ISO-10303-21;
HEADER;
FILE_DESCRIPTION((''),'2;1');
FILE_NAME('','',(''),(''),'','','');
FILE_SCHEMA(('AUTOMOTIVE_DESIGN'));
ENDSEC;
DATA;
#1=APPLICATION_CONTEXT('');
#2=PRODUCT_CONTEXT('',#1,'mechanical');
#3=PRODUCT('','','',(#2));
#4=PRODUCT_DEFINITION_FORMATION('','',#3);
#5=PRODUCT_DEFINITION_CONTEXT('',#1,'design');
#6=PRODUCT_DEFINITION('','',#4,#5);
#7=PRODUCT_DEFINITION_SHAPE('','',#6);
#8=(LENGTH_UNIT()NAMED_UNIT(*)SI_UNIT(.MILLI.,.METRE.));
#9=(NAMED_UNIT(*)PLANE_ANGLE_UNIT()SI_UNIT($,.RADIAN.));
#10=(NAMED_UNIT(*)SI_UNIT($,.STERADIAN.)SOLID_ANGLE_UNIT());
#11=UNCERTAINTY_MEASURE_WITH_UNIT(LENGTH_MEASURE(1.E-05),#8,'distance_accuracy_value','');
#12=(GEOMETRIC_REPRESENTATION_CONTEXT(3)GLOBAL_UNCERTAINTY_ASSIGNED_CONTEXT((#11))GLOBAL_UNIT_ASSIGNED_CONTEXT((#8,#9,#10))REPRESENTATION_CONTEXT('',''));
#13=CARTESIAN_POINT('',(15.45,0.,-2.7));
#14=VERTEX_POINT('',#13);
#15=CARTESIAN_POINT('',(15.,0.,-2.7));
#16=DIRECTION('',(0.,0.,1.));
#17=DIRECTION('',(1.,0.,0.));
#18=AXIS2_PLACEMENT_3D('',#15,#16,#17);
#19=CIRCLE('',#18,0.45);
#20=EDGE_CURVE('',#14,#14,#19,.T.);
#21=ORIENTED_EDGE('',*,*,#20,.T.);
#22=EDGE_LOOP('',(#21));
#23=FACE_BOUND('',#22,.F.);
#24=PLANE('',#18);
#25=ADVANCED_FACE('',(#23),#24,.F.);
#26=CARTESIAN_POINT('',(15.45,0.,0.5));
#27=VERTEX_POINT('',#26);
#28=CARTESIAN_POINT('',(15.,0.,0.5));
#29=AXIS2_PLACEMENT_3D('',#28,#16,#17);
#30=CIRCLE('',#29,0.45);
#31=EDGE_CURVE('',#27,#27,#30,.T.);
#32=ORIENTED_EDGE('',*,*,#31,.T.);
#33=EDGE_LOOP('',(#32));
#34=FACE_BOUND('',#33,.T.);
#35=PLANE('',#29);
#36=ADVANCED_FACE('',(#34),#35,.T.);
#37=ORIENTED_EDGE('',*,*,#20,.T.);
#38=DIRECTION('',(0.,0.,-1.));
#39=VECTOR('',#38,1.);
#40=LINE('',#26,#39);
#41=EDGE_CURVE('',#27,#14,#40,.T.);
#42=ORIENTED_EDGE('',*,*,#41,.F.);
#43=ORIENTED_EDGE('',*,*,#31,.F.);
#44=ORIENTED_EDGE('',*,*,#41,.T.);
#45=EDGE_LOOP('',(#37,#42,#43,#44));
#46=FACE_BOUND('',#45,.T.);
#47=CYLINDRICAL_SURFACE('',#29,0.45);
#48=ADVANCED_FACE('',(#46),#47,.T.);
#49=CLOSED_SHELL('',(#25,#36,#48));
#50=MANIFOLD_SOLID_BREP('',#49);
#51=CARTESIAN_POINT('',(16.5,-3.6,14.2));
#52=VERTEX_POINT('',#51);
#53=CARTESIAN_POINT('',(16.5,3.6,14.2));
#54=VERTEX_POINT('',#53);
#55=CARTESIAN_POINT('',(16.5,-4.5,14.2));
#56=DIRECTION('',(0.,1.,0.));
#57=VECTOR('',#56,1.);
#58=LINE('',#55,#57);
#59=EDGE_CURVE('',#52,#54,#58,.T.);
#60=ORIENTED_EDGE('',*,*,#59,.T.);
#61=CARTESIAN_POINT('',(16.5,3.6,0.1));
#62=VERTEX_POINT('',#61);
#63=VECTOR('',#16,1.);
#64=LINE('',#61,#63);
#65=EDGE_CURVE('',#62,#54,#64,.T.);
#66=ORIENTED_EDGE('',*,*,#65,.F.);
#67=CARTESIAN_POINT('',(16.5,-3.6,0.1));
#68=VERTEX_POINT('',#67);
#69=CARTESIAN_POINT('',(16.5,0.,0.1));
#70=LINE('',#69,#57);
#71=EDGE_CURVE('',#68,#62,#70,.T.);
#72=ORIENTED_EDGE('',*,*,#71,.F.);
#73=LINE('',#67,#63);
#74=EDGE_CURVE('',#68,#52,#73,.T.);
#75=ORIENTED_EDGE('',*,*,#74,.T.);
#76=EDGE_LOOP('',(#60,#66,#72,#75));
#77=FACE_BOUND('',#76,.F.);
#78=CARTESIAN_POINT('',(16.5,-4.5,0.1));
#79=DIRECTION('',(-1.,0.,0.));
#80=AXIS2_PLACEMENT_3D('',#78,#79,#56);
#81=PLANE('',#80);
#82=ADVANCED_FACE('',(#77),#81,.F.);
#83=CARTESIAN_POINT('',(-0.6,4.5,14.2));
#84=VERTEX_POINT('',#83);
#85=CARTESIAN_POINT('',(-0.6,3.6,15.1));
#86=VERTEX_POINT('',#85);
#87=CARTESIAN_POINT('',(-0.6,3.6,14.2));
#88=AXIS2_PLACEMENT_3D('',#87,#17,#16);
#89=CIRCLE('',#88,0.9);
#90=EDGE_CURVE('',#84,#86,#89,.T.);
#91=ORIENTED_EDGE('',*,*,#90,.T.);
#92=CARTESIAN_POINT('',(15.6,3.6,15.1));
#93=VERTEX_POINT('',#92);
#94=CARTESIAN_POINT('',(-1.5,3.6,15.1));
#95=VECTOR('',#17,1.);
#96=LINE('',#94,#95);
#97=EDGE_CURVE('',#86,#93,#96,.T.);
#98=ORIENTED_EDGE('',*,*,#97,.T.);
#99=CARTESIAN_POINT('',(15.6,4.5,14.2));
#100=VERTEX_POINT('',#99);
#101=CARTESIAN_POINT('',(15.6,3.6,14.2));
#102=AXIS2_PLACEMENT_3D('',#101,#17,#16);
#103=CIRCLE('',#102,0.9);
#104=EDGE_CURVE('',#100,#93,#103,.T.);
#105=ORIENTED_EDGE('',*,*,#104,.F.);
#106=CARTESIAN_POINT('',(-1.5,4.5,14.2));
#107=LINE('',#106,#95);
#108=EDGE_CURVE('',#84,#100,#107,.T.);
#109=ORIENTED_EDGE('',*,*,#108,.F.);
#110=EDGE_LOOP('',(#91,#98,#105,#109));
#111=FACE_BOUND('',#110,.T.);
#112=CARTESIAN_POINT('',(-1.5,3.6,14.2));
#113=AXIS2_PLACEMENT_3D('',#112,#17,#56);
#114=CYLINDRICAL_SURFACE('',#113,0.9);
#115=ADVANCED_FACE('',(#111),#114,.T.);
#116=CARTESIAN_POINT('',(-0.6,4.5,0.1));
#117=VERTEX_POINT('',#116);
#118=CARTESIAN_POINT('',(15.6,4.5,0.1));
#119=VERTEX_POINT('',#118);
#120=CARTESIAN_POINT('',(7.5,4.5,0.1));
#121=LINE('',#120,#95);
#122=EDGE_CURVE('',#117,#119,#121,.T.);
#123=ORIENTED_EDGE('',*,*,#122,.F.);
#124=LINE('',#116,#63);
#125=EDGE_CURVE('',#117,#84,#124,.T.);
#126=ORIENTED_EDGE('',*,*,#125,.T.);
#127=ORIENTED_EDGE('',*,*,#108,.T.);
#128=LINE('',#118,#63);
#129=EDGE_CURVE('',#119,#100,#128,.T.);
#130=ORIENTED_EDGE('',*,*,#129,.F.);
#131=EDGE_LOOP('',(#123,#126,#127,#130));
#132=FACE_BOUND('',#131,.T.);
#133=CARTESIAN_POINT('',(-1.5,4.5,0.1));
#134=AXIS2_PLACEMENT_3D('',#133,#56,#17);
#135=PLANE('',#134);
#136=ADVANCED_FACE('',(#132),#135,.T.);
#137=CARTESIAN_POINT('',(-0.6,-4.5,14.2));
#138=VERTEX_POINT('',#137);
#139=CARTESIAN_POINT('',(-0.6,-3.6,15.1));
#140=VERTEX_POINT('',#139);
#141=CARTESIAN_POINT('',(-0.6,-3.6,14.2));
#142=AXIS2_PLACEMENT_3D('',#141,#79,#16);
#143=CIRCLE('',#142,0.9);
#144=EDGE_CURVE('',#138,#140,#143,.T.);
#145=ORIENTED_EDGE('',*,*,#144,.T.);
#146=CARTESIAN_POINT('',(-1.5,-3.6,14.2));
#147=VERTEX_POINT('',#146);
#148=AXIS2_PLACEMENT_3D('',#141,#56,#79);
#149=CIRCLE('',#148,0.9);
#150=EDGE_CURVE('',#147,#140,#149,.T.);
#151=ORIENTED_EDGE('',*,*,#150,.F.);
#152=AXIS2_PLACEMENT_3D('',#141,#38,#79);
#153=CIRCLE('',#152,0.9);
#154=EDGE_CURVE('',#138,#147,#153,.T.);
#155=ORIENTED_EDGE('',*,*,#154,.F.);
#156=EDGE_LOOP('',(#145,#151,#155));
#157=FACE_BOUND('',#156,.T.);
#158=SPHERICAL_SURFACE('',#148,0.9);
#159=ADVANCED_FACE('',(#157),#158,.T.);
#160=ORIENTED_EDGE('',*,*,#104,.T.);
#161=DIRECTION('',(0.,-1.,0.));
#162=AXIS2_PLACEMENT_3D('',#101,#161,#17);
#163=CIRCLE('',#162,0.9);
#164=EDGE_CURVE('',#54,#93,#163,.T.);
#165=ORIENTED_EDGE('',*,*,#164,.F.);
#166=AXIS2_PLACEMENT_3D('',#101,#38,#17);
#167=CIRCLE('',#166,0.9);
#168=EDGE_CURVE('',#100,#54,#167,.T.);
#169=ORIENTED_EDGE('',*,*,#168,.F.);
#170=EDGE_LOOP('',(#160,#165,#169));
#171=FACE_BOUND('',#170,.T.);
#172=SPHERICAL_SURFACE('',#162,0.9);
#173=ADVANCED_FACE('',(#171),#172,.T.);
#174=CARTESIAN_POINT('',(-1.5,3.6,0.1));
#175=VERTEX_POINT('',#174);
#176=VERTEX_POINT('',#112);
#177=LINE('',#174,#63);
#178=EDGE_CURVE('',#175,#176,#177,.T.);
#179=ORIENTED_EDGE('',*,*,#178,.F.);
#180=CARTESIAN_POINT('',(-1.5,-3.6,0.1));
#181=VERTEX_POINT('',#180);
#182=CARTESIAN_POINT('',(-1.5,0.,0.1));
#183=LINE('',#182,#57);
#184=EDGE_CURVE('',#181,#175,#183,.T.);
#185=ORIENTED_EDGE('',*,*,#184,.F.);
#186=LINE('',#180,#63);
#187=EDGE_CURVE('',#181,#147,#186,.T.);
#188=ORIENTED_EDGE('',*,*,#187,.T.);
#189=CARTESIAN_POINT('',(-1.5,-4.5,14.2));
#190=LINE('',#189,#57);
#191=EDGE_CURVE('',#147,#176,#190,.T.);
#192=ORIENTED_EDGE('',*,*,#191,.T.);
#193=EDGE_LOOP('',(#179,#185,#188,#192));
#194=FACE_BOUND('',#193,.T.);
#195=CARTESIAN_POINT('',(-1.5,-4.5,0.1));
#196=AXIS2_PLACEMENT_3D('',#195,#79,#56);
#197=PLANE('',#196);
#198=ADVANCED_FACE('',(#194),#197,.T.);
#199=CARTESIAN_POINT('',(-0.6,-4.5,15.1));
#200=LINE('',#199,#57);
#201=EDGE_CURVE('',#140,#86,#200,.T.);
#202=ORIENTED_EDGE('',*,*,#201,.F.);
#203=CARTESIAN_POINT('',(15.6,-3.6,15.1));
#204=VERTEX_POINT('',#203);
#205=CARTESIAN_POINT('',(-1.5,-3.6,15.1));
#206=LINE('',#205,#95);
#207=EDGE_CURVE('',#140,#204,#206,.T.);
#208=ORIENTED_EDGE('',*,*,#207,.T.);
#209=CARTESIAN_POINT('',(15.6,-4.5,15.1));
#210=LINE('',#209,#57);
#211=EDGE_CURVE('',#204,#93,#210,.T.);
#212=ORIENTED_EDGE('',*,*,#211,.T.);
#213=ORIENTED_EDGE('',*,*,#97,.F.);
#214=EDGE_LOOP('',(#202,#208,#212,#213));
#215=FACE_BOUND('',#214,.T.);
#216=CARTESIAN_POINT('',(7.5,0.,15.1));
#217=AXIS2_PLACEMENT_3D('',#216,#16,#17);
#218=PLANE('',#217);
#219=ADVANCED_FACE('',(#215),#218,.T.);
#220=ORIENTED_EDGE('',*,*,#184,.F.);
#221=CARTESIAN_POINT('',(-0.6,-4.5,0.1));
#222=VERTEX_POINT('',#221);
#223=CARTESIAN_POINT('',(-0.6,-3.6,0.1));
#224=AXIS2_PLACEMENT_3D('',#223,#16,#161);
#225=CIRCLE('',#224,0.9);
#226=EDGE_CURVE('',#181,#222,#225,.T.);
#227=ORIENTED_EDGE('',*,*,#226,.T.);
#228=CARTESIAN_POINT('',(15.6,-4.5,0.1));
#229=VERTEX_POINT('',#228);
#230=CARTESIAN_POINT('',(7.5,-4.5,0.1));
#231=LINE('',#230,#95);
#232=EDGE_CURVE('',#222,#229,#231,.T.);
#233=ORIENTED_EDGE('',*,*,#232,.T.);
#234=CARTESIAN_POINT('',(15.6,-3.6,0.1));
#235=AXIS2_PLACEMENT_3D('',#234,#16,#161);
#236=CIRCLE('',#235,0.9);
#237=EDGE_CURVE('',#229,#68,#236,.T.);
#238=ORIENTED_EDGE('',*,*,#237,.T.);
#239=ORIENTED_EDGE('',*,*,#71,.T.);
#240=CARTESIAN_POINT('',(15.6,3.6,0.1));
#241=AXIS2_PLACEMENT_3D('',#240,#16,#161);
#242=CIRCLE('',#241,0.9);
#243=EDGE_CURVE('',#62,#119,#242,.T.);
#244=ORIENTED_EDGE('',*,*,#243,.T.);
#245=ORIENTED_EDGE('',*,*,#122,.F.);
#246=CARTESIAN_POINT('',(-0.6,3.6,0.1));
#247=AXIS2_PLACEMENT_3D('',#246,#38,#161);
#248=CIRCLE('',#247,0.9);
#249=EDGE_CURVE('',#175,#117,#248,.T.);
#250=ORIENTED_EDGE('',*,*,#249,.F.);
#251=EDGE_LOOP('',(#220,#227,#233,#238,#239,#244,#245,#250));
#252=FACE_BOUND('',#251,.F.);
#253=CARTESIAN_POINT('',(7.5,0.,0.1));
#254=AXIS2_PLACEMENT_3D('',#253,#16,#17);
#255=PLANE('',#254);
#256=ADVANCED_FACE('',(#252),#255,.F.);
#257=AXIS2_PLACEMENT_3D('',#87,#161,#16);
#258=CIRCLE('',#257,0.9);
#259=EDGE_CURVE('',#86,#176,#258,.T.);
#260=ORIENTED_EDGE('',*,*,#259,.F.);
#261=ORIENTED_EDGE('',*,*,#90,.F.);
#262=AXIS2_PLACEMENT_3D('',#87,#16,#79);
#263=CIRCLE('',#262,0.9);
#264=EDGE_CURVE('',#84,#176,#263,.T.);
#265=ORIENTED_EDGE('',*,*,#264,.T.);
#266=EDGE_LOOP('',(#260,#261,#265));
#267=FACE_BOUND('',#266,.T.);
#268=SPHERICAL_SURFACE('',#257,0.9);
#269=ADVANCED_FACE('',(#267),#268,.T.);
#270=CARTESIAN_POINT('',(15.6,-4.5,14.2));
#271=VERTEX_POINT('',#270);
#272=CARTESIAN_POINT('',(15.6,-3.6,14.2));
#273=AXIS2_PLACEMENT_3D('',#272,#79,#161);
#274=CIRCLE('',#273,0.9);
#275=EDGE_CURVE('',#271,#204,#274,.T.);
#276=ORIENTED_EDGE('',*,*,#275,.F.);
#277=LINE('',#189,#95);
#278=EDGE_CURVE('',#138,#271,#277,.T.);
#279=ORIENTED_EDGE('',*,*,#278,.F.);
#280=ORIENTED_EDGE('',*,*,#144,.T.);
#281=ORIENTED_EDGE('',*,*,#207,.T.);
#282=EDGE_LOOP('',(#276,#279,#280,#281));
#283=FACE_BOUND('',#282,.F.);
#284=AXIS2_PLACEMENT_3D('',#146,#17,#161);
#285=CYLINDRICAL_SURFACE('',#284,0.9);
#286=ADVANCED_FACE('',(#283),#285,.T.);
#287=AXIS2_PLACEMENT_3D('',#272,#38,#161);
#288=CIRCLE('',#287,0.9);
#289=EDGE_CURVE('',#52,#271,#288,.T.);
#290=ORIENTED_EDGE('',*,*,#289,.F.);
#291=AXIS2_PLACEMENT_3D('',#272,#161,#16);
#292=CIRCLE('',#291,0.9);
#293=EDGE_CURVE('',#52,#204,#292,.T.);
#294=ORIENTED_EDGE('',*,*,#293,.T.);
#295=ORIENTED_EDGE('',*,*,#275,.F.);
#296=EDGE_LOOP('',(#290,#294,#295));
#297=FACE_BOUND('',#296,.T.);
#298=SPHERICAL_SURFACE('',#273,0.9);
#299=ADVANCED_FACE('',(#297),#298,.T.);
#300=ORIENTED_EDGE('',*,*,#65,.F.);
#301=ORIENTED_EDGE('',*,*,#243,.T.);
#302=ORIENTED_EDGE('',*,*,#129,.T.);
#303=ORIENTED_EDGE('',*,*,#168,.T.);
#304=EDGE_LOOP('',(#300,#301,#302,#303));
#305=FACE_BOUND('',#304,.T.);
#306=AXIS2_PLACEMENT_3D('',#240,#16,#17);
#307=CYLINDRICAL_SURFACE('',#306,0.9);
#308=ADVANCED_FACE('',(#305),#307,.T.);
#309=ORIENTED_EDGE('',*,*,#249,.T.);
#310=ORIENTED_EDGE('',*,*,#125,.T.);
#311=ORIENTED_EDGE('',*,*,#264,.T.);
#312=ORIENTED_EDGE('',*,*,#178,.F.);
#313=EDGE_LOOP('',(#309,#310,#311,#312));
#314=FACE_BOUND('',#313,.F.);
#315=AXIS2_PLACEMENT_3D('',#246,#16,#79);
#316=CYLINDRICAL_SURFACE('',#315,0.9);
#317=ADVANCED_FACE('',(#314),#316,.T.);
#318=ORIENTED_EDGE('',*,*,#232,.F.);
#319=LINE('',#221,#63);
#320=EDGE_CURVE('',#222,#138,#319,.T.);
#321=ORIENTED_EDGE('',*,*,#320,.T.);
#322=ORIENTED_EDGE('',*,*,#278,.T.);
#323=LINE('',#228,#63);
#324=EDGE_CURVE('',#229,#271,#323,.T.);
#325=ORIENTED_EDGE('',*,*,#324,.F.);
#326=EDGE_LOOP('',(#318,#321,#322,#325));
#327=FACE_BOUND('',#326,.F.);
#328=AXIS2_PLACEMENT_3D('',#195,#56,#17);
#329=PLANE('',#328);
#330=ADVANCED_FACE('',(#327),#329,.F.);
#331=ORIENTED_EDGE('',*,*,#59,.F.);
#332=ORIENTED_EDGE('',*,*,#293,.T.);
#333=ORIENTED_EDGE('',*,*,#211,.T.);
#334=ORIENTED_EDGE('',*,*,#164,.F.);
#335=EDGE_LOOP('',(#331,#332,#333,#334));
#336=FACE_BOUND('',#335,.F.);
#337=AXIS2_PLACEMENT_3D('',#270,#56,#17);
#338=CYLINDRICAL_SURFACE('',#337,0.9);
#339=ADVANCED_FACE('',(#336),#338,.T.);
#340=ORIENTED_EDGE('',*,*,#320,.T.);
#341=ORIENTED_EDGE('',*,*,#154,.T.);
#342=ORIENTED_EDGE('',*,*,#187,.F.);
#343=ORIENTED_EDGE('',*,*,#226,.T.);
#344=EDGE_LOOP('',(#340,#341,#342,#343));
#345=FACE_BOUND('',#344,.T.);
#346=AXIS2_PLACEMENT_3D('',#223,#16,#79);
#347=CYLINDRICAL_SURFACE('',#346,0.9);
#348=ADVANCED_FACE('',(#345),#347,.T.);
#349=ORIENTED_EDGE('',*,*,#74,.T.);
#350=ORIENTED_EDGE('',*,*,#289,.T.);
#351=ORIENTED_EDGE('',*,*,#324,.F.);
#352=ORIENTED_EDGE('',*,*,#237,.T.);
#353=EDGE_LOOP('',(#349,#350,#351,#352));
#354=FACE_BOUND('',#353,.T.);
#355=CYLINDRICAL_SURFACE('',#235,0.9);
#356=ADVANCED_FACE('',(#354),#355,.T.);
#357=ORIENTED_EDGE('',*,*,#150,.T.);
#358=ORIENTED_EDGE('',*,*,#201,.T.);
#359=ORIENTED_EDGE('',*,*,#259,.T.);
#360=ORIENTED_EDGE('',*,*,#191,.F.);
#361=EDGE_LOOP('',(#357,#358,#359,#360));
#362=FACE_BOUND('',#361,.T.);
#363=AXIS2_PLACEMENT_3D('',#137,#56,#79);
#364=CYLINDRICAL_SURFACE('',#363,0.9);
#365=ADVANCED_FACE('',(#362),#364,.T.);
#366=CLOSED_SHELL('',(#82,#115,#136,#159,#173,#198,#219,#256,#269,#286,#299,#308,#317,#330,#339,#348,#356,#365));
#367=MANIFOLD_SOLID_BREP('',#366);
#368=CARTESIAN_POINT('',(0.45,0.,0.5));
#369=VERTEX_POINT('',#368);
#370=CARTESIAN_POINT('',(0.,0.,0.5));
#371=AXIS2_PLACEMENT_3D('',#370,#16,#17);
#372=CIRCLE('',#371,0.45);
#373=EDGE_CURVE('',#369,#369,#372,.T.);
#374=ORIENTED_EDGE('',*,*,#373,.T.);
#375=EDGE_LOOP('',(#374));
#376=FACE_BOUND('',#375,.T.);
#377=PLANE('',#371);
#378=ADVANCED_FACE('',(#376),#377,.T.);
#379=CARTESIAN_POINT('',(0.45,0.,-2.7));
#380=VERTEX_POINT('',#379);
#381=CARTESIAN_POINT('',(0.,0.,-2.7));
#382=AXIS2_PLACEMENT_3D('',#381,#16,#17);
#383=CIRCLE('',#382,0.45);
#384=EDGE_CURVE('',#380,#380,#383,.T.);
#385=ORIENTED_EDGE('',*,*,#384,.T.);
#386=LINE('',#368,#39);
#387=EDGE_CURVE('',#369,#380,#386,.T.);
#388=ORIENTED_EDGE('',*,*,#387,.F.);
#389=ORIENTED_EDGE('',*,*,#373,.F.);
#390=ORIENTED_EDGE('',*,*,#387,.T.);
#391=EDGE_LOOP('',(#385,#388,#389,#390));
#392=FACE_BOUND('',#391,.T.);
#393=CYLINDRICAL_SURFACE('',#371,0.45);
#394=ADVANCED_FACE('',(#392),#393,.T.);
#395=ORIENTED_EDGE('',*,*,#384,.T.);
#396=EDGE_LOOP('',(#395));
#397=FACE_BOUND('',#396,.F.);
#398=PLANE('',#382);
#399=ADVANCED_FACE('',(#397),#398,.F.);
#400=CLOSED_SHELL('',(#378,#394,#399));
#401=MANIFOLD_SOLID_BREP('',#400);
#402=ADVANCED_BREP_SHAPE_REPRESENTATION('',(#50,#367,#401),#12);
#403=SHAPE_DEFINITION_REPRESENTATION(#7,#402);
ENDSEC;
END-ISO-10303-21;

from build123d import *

# Parameters (mm, degrees)
SKETCH_W     = 18
SKETCH_H     = 9
PAD_DEPTH    = 15
FILLET_R     = 0.9
SKETCH001_R  = 0.45
PAD001_DEPTH = 3.2


with BuildPart() as fillet_body:
    # Sketch → Pad (new body)
    with BuildSketch(Plane.XY.offset(0.1)):
        with Locations((7.5, 0)):
            Rectangle(SKETCH_W, SKETCH_H)
    extrude(amount=PAD_DEPTH)

    # Fillet
    fillet_edges = [fillet_body.edges().sort_by_distance(p)[0] for p in [
        (-1.5, 0, 15.1),
        (-1.5, -4.5, 7.6),
        (7.5, -4.5, 15.1),
        (16.5, -4.5, 7.6),
        (16.5, 0, 15.1),
        (16.5, 4.5, 7.6),
        (7.5, 4.5, 15.1),
        (-1.5, 4.5, 7.6),
    ]]
    fillet(fillet_edges, radius=FILLET_R)


with BuildPart() as pad001:
    # Sketch001 → Pad001 (new body)
    with BuildSketch(Plane.XY.offset(0.5)):
        Circle(SKETCH001_R)
        with Locations((15, 0)):
            Circle(SKETCH001_R)
    extrude(amount=-PAD001_DEPTH)


solid = Compound([fillet_body.part, pad001.part])
